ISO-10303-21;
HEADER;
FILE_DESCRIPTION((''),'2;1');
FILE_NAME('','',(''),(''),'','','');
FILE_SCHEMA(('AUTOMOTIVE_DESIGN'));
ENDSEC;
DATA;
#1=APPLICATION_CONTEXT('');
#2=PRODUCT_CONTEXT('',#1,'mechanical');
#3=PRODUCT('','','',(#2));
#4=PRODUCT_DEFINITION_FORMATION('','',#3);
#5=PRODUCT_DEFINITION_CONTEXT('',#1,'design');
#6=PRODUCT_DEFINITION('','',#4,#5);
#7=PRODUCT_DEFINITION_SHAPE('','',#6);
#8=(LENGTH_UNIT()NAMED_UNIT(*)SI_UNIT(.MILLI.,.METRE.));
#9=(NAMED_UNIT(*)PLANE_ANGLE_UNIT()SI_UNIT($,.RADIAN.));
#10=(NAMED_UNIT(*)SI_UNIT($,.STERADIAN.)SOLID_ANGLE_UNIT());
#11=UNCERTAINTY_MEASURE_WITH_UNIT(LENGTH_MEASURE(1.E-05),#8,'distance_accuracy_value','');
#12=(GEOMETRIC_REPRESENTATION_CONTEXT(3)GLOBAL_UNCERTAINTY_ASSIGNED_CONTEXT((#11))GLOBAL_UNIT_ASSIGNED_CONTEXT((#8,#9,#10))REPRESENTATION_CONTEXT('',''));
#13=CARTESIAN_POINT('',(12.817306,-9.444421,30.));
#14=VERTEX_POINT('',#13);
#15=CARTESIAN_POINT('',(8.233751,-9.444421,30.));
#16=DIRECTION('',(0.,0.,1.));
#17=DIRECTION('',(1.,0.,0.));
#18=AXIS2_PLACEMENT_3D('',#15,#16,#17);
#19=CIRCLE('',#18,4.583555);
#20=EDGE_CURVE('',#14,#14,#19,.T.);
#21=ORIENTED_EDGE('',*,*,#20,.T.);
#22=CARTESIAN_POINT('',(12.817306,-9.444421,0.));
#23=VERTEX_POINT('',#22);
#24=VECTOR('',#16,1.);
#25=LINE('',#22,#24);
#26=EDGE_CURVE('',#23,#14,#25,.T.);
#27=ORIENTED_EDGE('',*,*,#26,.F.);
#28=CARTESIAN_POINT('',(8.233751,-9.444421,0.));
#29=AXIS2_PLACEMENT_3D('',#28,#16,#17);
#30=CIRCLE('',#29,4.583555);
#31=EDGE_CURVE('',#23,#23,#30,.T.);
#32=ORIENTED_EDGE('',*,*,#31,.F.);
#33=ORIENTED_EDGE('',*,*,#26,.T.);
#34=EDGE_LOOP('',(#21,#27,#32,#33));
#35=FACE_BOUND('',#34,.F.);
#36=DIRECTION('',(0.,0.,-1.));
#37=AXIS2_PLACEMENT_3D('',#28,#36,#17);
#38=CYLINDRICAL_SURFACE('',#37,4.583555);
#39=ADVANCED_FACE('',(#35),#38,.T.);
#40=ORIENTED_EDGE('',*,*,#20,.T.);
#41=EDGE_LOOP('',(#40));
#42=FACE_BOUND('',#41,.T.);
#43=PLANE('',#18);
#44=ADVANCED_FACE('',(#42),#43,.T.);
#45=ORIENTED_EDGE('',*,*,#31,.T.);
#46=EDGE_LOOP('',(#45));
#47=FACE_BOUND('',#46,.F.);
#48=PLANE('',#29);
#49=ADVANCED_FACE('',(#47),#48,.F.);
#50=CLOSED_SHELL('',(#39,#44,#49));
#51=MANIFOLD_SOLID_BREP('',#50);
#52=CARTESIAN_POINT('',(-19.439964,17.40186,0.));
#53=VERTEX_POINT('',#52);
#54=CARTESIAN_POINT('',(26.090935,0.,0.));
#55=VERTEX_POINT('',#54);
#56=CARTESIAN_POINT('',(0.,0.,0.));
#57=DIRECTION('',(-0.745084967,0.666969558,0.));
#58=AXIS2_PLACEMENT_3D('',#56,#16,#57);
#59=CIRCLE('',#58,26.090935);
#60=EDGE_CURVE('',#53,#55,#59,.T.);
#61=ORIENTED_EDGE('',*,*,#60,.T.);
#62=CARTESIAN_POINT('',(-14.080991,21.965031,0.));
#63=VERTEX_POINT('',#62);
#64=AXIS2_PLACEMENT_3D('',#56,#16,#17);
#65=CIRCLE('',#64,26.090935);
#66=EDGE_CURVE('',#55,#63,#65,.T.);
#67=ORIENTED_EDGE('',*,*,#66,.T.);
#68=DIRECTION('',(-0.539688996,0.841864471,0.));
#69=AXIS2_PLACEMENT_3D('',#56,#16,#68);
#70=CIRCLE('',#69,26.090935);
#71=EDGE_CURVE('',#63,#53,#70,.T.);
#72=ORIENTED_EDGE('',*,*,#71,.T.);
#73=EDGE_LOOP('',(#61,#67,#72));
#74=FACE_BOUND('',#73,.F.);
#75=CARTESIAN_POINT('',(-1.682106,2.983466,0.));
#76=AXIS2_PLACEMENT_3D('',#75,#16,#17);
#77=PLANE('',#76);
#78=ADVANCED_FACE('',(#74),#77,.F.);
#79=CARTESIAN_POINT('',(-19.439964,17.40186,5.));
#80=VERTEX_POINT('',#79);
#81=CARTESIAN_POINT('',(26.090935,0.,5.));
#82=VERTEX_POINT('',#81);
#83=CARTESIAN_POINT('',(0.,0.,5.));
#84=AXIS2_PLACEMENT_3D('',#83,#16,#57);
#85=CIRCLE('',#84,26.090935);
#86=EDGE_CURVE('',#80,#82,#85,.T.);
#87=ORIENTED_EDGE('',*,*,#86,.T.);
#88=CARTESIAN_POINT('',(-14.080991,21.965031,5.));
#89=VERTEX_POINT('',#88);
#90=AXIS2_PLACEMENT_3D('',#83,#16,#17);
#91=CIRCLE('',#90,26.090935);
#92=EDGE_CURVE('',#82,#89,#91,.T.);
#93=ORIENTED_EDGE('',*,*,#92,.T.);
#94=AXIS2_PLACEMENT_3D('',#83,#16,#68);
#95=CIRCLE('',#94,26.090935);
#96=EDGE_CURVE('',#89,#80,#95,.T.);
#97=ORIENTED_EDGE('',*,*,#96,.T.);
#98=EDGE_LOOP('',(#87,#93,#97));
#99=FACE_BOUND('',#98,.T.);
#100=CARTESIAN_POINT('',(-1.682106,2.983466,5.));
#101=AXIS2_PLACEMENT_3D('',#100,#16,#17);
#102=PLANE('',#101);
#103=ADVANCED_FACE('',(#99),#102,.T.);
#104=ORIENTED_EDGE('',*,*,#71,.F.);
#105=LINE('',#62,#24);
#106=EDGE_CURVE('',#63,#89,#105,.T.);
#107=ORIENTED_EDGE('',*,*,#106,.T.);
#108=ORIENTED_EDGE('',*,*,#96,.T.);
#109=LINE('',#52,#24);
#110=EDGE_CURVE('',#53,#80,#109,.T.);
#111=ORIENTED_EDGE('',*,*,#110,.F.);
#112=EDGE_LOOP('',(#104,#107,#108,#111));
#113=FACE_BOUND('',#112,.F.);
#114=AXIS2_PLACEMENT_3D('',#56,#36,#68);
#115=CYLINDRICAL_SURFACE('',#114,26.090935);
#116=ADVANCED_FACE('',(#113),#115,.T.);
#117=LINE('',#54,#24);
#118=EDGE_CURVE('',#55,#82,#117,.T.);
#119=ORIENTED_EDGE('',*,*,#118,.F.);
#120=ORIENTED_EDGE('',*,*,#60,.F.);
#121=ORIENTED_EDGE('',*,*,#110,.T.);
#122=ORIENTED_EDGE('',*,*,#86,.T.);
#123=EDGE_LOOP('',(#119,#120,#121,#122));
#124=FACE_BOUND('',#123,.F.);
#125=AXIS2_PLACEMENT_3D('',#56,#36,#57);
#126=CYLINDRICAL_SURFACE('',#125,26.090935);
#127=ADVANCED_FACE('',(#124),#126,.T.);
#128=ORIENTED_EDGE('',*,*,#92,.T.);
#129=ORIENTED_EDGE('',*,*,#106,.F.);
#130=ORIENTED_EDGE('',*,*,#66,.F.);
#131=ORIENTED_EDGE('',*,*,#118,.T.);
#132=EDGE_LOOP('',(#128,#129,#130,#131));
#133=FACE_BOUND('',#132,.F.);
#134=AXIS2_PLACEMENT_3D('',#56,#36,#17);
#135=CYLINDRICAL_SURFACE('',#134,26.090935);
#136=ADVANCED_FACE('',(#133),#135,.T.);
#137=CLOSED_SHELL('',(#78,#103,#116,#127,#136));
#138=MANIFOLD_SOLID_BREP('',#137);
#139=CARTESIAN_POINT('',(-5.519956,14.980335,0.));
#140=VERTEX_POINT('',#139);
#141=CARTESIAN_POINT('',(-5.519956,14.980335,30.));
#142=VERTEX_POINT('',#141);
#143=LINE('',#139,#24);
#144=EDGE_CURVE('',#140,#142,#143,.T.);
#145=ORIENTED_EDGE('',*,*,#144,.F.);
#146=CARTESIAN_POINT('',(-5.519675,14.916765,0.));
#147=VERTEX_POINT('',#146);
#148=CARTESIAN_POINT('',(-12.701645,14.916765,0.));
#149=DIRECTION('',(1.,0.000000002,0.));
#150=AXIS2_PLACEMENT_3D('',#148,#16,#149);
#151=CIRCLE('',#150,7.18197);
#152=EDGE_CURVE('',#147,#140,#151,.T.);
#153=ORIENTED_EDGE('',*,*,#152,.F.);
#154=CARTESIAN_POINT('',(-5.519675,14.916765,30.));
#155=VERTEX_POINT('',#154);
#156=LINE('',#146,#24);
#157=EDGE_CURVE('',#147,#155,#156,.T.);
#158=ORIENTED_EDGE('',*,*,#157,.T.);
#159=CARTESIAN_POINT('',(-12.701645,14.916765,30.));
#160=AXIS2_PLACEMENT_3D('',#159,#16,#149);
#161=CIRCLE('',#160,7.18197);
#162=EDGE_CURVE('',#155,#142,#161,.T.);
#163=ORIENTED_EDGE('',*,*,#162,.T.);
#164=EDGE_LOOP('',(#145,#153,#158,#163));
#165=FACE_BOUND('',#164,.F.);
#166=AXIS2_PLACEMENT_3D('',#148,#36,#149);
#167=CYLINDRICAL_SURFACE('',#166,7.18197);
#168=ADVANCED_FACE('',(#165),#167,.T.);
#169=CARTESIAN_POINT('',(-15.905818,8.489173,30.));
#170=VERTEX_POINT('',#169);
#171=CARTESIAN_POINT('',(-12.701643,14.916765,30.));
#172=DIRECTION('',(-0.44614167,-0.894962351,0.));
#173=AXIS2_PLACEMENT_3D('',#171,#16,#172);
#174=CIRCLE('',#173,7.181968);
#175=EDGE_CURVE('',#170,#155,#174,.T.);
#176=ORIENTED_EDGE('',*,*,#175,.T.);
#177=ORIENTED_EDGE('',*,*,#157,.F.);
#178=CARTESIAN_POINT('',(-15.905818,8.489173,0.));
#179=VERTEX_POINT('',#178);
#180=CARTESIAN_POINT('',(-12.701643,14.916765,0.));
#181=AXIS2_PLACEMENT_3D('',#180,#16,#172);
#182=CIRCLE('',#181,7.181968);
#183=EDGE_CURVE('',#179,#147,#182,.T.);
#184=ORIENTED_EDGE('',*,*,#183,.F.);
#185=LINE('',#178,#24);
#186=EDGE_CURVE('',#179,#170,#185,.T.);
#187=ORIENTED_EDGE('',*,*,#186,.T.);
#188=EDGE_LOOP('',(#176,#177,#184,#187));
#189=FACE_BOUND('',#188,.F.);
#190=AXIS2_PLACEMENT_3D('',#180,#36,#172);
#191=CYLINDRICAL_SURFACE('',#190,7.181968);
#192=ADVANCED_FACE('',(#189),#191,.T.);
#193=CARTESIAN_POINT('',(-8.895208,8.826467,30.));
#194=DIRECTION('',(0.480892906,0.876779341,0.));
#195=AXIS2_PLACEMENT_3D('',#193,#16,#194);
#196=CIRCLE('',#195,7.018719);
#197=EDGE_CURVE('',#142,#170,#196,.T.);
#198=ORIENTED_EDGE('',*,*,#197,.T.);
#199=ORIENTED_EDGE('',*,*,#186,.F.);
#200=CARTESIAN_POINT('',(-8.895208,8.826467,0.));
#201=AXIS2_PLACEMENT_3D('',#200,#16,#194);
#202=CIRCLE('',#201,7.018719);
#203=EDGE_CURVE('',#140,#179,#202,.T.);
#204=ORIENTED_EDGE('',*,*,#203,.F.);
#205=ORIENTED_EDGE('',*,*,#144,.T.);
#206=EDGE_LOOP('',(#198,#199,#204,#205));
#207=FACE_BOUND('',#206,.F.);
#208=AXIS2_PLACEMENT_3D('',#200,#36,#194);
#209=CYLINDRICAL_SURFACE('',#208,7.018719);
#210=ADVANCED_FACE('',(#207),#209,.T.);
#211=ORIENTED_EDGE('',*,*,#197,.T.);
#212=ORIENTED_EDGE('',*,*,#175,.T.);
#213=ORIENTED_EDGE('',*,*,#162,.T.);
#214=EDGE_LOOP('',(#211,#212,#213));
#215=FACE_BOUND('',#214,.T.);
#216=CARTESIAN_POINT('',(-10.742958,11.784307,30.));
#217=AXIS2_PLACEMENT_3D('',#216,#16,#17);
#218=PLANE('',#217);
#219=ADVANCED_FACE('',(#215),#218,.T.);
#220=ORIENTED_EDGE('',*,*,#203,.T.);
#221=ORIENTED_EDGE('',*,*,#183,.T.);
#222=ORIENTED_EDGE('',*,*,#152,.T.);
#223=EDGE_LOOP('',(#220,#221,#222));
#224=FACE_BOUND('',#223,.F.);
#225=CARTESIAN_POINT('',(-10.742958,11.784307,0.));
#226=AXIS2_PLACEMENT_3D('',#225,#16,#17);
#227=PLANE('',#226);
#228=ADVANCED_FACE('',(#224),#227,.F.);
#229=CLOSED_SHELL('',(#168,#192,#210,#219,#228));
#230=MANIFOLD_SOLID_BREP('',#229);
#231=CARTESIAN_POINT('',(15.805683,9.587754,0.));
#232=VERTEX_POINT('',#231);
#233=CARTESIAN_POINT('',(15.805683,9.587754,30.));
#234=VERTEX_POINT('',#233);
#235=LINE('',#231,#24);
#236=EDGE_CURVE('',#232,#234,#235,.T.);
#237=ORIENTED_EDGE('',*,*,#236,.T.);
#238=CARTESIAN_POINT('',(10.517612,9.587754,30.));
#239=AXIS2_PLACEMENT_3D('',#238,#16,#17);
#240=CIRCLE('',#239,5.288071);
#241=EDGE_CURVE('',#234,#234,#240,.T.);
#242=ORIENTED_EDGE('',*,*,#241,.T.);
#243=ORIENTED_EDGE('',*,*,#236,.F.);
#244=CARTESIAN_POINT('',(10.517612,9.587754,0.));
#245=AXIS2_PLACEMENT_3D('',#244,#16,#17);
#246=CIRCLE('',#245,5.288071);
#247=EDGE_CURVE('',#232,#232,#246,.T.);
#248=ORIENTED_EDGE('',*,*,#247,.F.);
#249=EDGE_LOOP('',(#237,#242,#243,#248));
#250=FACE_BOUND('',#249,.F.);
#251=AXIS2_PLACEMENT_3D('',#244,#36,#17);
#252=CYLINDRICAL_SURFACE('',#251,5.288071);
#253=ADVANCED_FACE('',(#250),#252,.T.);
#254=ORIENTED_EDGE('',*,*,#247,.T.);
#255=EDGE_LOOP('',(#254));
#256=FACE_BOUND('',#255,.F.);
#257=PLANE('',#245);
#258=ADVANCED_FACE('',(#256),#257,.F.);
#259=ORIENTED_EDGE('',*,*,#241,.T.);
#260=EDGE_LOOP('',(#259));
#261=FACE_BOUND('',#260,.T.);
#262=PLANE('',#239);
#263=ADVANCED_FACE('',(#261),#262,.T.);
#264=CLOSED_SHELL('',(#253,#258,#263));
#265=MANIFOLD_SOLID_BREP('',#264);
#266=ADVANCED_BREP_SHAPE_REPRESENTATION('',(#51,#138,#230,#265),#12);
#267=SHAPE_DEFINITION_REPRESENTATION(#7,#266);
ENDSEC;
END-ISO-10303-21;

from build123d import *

# Parameters (mm, degrees)
F0_R     = 5.2880711668
F1_DEPTH = 30
F0_R_2   = 4.5835550411
F2_DEPTH = 5


with BuildPart() as f1:
    # F0 (on Top) → F1 (new body)
    with BuildSketch(Plane.XY):
        with Locations((10.5176120996, 9.5877544954)):
            Circle(F0_R)
    extrude(amount=F1_DEPTH)


with BuildPart() as f1b:
    # F0 (on Top) → F1, piece 2 (new body)
    with BuildSketch(Plane.XY):
        with Locations((8.2337511703, -9.4444211572)):
            Circle(F0_R_2)
    extrude(amount=F1_DEPTH)


with BuildPart() as f1c:
    # F0 (on Top) → F1, piece 3 (new body)
    with BuildSketch(Plane.XY):
        with BuildLine():
            ThreePointArc((-5.519674576, 14.9167645723), (-5.5197449138, 14.948550137), (-5.5199559257, 14.9803350791))
            ThreePointArc((-5.5199559257, 14.9803350791), (-12.6151208881, 14.7783296274), (-15.9058179548, 8.4891734947))
            ThreePointArc((-15.9058179548, 8.4891734947), (-8.9221995143, 8.8096805433), (-5.519674576, 14.9167645723))
        make_face()
    extrude(amount=F1_DEPTH)


with BuildPart() as f2:
    # F0 (on Top) → F2 (new body)
    with BuildSketch(Plane.XY):
        with BuildLine():
            ThreePointArc((-19.4399636345, 17.4018595612), (-9.3147750864, -24.3715380596), (26.0909352516, 0))
            ThreePointArc((26.0909352516, 0), (12.5170021778, 22.892390849), (-14.0809906475, 21.9650314064))
            ThreePointArc((-14.0809906475, 21.9650314064), (-8.1614577189, 20.4815993828), (-5.5199559257, 14.9803350791))
            ThreePointArc((-5.5199559257, 14.9803350791), (-2.8556566482, 12.402251755), (-1.8764890711, 8.8264672086))
            ThreePointArc((-1.8764890711, 8.8264672086), (-8.7265125373, 1.8097757522), (-15.9058179548, 8.4891734947))
            ThreePointArc((-15.9058179548, 8.4891734947), (-19.3778917103, 12.2694328451), (-19.4399636345, 17.4018595612))
        make_face()
        with Locations((8.2337511703, -9.4444211572)):
            Circle(F0_R_2, mode=Mode.SUBTRACT)
        with Locations((10.5176120996, 9.5877544954)):
            Circle(F0_R, mode=Mode.SUBTRACT)
        with Locations((8.2337511703, -9.4444211572)):
            Circle(F0_R_2)
        with Locations((10.5176120996, 9.5877544954)):
            Circle(F0_R)
        with BuildLine():
            ThreePointArc((-1.8764890711, 8.8264672086), (-2.8556566482, 12.402251755), (-5.5199559257, 14.9803350791))
            ThreePointArc((-5.5199559257, 14.9803350791), (-5.5197449138, 14.948550137), (-5.519674576, 14.9167645723))
            ThreePointArc((-5.519674576, 14.9167645723), (-8.9221995143, 8.8096805433), (-15.9058179548, 8.4891734947))
            ThreePointArc((-15.9058179548, 8.4891734947), (-8.7265125373, 1.8097757522), (-1.8764890711, 8.8264672086))
        make_face()
        with BuildLine():
            ThreePointArc((-5.519674576, 14.9167645723), (-5.5197449138, 14.948550137), (-5.5199559257, 14.9803350791))
            ThreePointArc((-5.5199559257, 14.9803350791), (-12.6151208881, 14.7783296274), (-15.9058179548, 8.4891734947))
            ThreePointArc((-15.9058179548, 8.4891734947), (-8.9221995143, 8.8096805433), (-5.519674576, 14.9167645723))
        make_face()
        with BuildLine():
            ThreePointArc((-5.5199559257, 14.9803350791), (-8.1614577189, 20.4815993828), (-14.0809906475, 21.9650314064))
            ThreePointArc((-14.0809906475, 21.9650314064), (-16.9150592171, 19.864986131), (-19.4399636345, 17.4018595612))
            ThreePointArc((-19.4399636345, 17.4018595612), (-19.3778917103, 12.2694328451), (-15.9058179548, 8.4891734947))
            ThreePointArc((-15.9058179548, 8.4891734947), (-12.6151208881, 14.7783296274), (-5.5199559257, 14.9803350791))
        make_face()
    extrude(amount=F2_DEPTH)


solid = Compound([f1.part, f1b.part, f1c.part, f2.part])
